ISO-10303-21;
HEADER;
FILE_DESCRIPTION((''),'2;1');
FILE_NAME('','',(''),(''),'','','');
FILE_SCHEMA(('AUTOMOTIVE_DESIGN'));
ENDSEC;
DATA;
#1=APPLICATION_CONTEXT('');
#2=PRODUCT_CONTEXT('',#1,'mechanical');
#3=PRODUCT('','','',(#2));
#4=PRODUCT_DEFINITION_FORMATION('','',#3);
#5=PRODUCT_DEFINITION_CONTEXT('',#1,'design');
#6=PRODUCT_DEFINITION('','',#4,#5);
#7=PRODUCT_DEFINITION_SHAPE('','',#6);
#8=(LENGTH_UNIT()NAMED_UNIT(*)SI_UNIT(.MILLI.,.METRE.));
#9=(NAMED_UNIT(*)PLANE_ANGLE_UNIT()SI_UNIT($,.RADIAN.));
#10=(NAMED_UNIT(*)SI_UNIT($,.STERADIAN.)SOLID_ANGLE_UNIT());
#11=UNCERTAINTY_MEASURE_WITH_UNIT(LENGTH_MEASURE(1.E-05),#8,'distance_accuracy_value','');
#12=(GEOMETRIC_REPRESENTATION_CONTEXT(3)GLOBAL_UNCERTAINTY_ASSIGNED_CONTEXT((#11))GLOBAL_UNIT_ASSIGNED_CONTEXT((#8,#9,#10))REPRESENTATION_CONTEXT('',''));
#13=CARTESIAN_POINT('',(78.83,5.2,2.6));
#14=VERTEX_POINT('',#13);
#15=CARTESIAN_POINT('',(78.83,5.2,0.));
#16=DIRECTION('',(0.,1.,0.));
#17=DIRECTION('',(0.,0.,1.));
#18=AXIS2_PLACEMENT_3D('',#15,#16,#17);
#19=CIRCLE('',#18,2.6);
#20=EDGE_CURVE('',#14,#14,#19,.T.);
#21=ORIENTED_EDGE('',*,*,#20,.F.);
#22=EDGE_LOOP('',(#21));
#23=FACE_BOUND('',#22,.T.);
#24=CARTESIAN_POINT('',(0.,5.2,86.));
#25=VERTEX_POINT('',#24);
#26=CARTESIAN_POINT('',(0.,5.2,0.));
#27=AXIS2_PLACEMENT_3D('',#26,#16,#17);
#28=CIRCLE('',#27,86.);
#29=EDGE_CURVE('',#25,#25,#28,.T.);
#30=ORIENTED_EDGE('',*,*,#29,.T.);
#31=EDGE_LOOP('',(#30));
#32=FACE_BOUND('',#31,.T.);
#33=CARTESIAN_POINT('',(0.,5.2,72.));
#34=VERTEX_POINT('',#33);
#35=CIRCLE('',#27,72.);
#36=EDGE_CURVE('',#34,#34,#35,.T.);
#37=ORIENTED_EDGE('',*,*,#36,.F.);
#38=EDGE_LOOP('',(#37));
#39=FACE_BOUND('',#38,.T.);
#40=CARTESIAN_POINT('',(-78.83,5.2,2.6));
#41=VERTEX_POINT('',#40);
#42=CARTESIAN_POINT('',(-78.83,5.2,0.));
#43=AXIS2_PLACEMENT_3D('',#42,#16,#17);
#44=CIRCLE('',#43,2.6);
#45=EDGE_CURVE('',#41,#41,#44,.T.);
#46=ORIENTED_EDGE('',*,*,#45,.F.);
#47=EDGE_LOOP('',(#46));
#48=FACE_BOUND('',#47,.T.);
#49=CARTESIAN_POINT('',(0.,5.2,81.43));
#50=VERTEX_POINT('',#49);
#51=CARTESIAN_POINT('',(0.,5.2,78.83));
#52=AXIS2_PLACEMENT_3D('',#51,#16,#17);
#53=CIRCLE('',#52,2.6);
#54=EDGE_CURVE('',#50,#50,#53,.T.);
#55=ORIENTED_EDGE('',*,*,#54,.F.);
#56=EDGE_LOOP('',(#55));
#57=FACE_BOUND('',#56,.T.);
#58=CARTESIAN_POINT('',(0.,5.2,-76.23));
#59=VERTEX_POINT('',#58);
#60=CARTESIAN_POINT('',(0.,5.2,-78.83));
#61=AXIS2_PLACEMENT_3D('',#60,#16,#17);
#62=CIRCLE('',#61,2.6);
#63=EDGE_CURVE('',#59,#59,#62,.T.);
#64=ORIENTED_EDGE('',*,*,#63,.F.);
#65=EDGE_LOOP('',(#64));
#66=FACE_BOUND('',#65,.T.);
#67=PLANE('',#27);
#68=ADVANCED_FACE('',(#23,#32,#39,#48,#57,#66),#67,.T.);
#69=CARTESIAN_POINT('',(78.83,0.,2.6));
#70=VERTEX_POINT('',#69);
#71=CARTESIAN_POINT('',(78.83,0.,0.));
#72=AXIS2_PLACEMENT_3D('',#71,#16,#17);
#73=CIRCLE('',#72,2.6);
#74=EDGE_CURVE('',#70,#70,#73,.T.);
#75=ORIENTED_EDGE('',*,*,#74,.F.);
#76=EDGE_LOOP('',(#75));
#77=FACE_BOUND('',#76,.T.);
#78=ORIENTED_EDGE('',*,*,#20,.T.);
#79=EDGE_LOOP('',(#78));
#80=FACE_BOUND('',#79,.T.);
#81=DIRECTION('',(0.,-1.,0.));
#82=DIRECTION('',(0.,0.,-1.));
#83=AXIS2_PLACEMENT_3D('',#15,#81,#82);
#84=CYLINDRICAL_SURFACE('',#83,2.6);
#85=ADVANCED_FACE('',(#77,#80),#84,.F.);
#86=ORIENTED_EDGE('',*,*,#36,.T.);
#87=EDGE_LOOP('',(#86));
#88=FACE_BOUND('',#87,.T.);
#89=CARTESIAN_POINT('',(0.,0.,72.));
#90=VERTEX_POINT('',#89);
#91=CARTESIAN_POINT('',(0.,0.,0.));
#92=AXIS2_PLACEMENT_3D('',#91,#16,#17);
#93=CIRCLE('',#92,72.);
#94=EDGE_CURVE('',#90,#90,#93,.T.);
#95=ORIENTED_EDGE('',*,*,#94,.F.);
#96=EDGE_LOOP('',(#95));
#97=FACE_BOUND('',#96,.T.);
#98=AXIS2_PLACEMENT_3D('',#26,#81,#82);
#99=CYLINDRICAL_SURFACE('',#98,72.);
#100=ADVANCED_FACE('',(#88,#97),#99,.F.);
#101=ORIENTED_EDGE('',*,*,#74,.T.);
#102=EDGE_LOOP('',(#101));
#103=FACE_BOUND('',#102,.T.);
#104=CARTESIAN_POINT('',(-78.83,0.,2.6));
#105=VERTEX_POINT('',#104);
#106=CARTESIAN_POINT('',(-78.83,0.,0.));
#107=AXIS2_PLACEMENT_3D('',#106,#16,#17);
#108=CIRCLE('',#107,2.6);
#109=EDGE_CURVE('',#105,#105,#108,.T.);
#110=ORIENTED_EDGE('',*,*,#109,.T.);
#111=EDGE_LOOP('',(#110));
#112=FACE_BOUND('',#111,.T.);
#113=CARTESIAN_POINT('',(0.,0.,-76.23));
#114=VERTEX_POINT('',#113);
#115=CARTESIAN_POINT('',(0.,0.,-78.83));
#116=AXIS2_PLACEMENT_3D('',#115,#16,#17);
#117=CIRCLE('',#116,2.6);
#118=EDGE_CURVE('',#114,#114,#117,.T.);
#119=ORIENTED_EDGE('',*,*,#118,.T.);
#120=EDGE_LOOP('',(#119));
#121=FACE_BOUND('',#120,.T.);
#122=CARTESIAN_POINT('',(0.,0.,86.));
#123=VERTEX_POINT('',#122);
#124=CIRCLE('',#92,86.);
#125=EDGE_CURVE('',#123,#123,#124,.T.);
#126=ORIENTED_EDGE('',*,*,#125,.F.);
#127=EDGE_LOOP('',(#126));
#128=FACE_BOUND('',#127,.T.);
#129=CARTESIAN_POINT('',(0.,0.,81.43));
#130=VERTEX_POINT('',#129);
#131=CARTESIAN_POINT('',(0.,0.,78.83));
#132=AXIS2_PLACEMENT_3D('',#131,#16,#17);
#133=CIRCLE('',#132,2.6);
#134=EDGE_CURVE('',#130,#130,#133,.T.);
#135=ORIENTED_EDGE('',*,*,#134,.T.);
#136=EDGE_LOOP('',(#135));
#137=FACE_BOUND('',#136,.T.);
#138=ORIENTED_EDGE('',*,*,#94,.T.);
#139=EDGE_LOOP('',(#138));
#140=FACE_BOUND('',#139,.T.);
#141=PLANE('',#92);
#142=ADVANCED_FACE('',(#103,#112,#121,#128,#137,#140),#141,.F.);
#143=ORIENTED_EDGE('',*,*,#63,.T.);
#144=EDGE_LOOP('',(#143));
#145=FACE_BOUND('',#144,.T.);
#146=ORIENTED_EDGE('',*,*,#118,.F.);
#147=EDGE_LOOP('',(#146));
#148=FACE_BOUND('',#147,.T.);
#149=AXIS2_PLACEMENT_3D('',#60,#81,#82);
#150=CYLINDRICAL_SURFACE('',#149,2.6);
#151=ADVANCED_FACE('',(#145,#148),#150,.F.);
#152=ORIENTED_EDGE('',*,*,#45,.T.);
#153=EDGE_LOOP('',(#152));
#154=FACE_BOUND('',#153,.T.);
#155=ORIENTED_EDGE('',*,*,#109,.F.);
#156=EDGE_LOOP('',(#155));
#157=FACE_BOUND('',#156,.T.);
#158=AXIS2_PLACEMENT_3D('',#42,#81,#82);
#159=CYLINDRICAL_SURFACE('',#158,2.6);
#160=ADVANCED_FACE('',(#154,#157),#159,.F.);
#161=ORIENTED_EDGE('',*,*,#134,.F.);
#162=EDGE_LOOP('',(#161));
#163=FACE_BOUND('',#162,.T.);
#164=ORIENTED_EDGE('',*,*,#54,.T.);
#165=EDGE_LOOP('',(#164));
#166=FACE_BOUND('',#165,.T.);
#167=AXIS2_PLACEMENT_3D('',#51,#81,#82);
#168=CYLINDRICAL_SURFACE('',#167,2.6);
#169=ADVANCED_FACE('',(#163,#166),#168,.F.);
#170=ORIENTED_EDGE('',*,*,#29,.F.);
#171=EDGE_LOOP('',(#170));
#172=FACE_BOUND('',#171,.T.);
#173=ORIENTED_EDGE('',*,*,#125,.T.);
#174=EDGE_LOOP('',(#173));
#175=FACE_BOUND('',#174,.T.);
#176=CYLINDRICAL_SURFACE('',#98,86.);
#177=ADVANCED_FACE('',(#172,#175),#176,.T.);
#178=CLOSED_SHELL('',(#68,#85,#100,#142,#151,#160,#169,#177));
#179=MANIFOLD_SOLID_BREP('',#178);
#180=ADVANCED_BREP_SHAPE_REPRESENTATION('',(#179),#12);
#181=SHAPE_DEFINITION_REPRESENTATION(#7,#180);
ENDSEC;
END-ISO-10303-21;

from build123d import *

# Parameters (mm, degrees)
SKETCH_1_R      = 86
SKETCH_1_R_2    = 72
SKETCH_1_R_3    = 2.6
EXTRUDE_1_DEPTH = 5.2


with BuildPart() as part:
    # 草图1 → 凸台-拉伸1 (new body)
    with BuildSketch(Plane(origin=(0, 0, 0), x_dir=(1, 0, 0), z_dir=(0, 1, 0))):
        with Locations(Location((0, 0, 0), (0, 0, 270))):
            Circle(SKETCH_1_R)
        with Locations(Location((0, 0, 0), (0, 0, 270))):
            Circle(SKETCH_1_R_2, mode=Mode.SUBTRACT)
        with Locations(Location((0, 78.83, 0), (0, 0, 270))):
            Circle(SKETCH_1_R_3, mode=Mode.SUBTRACT)
        with Locations(Location((78.83, 0, 0), (0, 0, 270))):
            Circle(SKETCH_1_R_3, mode=Mode.SUBTRACT)
        with Locations(Location((0, -78.83, 0), (0, 0, 270))):
            Circle(SKETCH_1_R_3, mode=Mode.SUBTRACT)
        with Locations(Location((-78.83, 0, 0), (0, 0, 270))):
            Circle(SKETCH_1_R_3, mode=Mode.SUBTRACT)
    extrude(amount=EXTRUDE_1_DEPTH)


solid = part.part
